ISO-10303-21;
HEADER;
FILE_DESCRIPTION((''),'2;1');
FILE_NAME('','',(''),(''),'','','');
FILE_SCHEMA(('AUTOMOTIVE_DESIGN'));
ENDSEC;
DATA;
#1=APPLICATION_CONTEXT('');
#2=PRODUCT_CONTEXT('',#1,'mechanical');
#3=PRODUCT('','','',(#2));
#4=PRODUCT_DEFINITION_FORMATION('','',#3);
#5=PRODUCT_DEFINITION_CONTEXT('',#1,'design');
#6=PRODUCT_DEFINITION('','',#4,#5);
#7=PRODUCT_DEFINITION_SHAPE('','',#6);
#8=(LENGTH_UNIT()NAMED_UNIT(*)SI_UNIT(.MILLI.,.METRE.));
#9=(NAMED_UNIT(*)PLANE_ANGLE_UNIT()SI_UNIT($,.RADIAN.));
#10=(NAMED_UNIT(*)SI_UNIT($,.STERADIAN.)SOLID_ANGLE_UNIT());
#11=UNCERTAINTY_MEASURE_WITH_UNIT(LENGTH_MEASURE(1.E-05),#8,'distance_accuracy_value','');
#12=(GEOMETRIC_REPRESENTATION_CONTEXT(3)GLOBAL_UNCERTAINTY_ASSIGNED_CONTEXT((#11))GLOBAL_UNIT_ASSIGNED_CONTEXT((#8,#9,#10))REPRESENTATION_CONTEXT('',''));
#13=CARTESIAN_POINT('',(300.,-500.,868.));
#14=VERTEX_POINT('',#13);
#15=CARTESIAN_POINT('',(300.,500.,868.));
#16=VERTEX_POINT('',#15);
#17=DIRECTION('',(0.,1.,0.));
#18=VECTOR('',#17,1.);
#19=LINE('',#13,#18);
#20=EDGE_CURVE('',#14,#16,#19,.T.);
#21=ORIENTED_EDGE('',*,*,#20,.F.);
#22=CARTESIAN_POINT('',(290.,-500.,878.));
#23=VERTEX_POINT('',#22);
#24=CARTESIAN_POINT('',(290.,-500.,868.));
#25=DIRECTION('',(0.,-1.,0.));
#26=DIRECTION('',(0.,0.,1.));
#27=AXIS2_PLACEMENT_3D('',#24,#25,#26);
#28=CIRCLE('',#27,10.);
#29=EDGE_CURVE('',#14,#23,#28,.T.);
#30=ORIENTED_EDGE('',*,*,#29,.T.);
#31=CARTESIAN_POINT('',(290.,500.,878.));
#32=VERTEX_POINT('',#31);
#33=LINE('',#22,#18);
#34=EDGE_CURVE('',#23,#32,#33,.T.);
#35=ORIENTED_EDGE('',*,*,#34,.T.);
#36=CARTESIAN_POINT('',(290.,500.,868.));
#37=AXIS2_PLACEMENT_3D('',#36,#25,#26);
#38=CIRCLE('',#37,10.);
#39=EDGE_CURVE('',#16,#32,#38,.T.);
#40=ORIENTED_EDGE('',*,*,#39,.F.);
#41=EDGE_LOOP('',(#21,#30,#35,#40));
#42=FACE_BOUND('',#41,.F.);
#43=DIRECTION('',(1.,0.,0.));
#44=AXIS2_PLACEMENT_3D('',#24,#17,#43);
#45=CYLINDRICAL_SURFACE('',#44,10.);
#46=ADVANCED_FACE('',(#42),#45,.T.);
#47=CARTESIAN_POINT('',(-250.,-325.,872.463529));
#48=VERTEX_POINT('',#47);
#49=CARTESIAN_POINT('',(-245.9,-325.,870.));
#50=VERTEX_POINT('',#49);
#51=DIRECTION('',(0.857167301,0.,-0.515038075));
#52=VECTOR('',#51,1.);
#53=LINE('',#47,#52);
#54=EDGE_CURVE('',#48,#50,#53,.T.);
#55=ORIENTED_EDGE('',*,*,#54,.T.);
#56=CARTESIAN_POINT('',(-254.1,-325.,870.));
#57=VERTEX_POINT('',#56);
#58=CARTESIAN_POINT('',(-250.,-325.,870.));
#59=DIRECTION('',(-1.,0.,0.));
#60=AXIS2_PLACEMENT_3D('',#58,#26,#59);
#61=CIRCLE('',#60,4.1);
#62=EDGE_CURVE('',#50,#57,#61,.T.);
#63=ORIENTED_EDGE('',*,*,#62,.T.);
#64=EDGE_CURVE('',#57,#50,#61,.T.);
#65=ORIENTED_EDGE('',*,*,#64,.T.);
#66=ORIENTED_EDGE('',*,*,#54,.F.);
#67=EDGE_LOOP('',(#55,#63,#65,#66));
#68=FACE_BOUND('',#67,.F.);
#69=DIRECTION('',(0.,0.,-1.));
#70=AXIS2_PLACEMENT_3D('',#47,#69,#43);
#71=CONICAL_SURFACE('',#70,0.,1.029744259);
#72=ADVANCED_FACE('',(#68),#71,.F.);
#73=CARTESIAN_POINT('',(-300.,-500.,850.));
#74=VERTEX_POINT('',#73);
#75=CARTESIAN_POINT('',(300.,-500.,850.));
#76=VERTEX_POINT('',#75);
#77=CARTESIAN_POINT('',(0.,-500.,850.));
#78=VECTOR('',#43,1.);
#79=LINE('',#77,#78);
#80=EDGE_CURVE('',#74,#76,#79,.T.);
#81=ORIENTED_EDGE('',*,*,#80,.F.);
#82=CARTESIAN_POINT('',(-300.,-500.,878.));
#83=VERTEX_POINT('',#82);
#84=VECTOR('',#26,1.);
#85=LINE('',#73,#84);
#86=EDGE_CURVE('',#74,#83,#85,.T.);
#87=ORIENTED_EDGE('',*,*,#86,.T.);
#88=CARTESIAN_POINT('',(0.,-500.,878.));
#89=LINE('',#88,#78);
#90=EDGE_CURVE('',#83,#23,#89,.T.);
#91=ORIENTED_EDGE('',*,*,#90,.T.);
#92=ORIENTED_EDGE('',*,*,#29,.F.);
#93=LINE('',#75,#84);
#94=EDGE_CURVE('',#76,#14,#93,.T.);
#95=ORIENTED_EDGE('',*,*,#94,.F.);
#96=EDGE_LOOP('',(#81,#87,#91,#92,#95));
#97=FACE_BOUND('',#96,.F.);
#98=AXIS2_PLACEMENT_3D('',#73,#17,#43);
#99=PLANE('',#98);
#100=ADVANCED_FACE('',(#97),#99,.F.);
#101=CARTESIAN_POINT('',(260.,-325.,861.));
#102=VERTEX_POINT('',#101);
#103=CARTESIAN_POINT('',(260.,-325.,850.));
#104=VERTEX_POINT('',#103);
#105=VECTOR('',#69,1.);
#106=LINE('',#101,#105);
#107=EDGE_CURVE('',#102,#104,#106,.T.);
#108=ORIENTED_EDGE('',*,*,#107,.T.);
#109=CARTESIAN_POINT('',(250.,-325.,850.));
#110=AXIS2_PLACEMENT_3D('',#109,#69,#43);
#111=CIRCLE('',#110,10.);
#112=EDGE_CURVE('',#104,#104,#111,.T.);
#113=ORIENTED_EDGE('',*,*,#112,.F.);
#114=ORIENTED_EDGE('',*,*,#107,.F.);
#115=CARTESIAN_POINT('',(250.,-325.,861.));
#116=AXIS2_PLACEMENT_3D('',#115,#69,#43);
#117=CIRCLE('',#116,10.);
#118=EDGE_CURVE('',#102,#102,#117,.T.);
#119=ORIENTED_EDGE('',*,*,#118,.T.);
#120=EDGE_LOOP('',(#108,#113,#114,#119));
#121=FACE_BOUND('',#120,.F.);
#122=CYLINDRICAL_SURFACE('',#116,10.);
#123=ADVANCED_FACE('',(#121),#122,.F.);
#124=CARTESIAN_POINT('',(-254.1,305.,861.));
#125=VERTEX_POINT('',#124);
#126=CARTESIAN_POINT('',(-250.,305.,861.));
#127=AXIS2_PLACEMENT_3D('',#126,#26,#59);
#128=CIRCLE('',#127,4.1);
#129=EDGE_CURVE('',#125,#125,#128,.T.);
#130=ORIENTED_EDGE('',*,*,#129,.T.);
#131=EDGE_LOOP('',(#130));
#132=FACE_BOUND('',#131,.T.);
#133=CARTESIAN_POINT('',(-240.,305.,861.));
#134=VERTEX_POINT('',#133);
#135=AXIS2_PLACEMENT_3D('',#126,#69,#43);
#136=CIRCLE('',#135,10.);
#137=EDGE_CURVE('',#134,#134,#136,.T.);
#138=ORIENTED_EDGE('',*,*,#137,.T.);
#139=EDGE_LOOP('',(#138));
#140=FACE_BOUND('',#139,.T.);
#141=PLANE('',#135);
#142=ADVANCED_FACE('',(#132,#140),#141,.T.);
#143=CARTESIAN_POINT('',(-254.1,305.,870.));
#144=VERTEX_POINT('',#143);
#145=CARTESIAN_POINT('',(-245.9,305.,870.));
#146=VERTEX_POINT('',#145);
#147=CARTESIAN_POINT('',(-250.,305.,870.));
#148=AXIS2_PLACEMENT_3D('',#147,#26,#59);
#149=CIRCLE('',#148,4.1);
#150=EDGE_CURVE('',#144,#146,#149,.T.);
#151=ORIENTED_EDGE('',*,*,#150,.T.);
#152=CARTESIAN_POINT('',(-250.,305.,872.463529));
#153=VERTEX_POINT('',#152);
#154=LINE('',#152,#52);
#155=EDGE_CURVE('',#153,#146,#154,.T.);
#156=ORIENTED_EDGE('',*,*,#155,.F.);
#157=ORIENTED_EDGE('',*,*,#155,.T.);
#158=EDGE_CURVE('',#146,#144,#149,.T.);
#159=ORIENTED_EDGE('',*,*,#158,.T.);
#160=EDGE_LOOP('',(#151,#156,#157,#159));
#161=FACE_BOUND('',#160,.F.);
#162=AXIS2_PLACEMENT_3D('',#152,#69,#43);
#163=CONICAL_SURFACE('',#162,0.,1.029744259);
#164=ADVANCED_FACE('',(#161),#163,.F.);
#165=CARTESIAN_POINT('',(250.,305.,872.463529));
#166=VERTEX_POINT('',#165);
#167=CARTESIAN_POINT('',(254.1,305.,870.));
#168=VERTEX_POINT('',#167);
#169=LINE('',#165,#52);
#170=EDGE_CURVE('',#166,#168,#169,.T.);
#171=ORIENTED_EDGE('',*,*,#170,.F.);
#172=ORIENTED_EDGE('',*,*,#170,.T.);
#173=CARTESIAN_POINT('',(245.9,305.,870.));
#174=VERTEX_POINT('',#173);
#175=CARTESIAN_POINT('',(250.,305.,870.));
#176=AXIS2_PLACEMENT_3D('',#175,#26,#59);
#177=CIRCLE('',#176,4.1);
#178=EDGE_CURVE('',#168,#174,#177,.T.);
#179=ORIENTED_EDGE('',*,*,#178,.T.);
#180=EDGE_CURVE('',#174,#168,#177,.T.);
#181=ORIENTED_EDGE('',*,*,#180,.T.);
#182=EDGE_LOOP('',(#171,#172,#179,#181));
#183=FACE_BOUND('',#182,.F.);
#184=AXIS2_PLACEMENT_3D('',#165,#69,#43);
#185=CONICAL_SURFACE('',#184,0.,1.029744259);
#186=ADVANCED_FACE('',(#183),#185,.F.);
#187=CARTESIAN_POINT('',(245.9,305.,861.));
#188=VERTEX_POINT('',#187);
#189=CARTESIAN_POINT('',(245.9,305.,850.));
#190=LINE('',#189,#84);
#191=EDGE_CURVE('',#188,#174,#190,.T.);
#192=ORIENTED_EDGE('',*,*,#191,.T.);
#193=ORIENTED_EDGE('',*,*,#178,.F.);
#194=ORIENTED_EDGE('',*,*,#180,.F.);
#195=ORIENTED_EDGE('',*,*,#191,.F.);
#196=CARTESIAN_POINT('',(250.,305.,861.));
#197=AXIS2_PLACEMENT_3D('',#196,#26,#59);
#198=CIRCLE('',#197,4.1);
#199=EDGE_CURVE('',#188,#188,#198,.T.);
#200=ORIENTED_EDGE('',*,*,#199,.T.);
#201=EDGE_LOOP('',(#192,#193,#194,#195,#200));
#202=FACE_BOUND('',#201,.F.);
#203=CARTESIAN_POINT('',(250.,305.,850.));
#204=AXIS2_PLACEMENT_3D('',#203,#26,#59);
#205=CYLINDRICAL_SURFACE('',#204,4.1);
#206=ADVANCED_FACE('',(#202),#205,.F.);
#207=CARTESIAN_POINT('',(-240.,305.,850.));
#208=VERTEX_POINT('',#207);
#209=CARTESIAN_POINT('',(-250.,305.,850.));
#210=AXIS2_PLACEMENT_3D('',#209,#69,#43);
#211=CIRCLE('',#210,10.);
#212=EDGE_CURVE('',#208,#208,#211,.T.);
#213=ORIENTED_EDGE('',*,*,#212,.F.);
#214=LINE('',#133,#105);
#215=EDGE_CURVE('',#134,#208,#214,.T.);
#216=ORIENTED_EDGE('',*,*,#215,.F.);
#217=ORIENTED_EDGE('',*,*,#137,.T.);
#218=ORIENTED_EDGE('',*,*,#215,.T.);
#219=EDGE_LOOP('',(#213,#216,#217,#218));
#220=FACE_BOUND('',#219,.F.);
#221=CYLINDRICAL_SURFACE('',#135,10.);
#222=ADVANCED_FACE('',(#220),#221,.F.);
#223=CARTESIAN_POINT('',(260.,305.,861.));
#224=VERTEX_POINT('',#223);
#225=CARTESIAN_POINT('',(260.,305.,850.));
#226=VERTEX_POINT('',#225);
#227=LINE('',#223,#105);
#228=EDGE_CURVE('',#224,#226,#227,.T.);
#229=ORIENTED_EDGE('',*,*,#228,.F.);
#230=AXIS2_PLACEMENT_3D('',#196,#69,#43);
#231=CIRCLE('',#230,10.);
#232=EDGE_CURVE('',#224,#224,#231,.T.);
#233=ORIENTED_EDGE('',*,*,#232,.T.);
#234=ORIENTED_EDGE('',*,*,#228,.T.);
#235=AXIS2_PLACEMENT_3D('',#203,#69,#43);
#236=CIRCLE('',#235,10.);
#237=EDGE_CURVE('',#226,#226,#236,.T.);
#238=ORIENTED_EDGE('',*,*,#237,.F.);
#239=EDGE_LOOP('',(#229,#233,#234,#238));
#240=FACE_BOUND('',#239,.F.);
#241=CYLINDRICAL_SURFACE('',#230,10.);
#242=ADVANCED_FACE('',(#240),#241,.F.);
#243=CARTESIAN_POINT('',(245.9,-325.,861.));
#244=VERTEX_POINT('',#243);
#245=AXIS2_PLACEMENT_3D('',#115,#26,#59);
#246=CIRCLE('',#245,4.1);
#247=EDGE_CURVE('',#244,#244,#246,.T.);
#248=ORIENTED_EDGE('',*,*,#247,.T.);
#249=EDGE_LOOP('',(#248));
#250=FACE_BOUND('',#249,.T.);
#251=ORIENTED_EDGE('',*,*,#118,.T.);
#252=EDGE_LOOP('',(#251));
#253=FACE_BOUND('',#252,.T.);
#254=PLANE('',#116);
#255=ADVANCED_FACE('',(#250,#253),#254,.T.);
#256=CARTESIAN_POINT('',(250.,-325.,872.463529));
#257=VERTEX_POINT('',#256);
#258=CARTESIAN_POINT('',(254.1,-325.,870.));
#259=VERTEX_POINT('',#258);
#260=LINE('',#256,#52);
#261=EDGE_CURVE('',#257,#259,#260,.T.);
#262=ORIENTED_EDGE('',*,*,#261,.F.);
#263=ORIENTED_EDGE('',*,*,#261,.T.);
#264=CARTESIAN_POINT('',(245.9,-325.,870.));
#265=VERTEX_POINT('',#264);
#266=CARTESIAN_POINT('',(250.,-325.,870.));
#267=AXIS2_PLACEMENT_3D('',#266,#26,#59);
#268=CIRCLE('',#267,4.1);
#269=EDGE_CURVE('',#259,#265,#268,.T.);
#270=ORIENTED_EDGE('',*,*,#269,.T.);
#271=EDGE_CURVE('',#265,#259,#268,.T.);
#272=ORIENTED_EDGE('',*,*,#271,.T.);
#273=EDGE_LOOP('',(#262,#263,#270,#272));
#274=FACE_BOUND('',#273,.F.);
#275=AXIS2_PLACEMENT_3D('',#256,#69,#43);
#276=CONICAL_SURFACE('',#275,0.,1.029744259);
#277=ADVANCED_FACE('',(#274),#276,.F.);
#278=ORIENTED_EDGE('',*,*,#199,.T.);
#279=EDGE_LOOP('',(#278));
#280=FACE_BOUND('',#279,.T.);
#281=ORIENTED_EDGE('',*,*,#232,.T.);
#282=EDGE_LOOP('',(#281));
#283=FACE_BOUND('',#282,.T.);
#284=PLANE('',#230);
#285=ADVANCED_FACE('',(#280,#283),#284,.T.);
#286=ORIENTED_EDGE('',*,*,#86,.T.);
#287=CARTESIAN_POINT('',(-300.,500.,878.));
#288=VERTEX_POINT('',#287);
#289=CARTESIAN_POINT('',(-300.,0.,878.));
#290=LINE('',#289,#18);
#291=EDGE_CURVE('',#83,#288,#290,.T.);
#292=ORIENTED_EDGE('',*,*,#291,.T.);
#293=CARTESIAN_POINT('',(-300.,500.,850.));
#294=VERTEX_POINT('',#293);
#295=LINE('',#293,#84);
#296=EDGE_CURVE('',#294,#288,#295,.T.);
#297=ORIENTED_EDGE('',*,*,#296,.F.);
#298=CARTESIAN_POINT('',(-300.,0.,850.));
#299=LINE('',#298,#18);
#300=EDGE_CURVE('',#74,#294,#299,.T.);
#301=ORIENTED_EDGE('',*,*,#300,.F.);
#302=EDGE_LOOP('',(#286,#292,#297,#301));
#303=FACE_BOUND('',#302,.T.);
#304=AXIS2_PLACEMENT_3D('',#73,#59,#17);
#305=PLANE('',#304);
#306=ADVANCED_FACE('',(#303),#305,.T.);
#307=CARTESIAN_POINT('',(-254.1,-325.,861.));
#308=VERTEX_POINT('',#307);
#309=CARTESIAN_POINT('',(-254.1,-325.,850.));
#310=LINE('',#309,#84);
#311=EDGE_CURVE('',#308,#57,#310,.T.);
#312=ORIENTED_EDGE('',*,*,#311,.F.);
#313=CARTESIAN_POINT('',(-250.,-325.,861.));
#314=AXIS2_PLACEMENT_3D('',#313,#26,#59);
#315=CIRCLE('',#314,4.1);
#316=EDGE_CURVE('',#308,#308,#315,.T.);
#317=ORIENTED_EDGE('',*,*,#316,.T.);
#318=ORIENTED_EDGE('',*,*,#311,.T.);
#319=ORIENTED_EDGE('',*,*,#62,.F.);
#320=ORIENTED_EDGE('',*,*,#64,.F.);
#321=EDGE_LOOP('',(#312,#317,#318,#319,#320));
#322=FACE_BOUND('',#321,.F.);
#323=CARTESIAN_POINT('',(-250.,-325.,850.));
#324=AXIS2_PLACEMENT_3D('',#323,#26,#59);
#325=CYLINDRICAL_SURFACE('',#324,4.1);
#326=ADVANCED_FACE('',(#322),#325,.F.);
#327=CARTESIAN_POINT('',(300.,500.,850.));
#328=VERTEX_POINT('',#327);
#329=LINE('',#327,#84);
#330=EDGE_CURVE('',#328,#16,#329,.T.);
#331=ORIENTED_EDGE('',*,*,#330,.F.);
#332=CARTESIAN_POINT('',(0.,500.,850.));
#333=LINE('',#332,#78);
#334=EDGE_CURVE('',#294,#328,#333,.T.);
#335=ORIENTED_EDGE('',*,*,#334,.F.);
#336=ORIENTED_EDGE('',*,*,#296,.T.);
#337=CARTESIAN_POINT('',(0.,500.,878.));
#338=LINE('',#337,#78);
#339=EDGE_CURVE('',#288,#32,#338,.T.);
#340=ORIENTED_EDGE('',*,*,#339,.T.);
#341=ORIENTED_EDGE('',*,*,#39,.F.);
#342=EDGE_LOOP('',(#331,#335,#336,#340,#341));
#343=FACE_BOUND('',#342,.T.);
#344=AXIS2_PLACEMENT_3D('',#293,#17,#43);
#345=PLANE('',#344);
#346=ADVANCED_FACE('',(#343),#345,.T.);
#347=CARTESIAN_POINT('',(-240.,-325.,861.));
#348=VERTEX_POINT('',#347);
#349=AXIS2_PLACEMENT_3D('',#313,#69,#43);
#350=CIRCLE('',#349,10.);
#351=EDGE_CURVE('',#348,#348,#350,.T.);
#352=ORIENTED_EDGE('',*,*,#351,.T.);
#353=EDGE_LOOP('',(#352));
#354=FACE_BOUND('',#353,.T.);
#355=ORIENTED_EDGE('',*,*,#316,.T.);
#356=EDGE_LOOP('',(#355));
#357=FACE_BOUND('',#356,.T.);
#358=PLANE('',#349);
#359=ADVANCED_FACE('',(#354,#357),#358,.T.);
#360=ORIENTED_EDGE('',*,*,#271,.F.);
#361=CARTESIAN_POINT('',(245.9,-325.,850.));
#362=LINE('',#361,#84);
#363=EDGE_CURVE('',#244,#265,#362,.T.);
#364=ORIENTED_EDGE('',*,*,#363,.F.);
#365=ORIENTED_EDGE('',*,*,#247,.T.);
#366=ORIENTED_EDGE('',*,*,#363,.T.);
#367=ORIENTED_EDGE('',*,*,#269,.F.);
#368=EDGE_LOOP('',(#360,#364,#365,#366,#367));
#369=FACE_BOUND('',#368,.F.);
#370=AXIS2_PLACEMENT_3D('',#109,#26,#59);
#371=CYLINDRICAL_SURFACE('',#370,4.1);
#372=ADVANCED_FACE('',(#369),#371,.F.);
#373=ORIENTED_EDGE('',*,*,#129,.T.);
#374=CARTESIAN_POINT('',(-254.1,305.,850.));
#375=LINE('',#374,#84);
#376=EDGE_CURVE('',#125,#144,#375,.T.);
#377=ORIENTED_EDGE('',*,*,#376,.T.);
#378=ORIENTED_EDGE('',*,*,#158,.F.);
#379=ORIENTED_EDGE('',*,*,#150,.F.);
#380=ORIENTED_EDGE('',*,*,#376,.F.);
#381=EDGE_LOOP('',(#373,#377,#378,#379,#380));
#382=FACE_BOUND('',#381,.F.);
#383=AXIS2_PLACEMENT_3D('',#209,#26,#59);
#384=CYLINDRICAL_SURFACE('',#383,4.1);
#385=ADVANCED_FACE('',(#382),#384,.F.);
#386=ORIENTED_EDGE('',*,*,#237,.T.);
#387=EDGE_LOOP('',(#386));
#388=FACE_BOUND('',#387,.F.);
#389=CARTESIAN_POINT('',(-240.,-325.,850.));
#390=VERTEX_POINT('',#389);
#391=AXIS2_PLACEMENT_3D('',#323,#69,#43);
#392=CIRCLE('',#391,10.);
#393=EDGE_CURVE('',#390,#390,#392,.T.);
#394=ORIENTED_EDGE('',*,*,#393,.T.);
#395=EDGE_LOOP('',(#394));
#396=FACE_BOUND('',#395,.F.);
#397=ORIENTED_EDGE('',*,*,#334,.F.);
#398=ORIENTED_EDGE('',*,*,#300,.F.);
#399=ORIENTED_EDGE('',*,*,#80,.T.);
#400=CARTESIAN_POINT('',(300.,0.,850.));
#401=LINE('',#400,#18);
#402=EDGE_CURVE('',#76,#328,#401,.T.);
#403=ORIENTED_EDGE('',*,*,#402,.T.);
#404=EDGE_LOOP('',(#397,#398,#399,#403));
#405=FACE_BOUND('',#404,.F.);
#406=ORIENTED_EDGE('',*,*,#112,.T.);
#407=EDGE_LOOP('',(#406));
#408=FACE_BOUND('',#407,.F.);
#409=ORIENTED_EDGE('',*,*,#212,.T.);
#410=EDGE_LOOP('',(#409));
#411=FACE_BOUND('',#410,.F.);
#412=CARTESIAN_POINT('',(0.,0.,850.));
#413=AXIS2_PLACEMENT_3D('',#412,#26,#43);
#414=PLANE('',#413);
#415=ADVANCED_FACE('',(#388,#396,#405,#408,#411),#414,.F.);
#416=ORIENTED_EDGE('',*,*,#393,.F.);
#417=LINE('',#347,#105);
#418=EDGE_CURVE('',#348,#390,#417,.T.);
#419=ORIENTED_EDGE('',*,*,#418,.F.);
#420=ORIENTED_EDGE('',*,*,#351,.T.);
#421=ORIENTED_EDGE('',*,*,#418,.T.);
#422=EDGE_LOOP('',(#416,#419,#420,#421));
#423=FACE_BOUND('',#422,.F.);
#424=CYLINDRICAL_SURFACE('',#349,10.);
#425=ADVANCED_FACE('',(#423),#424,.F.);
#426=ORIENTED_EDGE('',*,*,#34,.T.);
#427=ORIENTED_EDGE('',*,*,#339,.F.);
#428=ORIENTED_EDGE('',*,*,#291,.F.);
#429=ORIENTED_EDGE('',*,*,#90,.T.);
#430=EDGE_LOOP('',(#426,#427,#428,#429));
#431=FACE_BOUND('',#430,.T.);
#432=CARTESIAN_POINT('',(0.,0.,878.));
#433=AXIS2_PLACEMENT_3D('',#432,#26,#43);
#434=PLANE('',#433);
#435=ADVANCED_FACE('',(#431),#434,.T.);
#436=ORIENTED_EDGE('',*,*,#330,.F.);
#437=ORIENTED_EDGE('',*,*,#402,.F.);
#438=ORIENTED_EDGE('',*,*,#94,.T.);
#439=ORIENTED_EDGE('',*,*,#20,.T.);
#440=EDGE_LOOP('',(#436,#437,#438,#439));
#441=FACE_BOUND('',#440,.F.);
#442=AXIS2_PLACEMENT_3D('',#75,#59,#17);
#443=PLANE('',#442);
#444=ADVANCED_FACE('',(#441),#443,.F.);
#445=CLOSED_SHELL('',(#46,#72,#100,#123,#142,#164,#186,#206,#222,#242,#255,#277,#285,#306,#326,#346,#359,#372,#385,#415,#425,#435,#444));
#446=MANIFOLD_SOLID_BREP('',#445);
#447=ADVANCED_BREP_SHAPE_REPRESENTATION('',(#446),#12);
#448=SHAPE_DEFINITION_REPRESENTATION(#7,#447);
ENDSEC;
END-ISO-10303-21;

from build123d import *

# Parameters (mm, degrees)
F1_W           = 600
F1_H           = 1000
F2_DEPTH       = 28
F3_R           = 10
F5_D           = 8.2
F5_DEPTH       = 20
F5_CBORE_D     = 20
F5_CBORE_DEPTH = 11
F5_TIP         = 2.463528538


with BuildPart() as f2:
    # F1 (on offset) → F2 (new body)
    with BuildSketch(Plane.XY.offset(850)):
        Rectangle(F1_W, F1_H)
    extrude(amount=F2_DEPTH)

    # F3
    f3_edges = [f2.edges().sort_by_distance(p)[0] for p in [
        (300, 0, 878),
    ]]
    fillet(f3_edges, radius=F3_R)

    # F5
    with Locations(Plane(origin=(0, 0, 850), x_dir=(1, 0, 0), z_dir=(0, 0, -1))):
        with Locations((250, 325), (250, -305), (-250, -305), (-250, 325)):
            CounterBoreHole(F5_D / 2, F5_CBORE_D / 2, F5_CBORE_DEPTH, depth=F5_DEPTH)
            with Locations((0, 0, -(F5_DEPTH + F5_TIP / 2))):  # 118° drill point
                Cone(0, F5_D / 2, F5_TIP, mode=Mode.SUBTRACT)


solid = f2.part
